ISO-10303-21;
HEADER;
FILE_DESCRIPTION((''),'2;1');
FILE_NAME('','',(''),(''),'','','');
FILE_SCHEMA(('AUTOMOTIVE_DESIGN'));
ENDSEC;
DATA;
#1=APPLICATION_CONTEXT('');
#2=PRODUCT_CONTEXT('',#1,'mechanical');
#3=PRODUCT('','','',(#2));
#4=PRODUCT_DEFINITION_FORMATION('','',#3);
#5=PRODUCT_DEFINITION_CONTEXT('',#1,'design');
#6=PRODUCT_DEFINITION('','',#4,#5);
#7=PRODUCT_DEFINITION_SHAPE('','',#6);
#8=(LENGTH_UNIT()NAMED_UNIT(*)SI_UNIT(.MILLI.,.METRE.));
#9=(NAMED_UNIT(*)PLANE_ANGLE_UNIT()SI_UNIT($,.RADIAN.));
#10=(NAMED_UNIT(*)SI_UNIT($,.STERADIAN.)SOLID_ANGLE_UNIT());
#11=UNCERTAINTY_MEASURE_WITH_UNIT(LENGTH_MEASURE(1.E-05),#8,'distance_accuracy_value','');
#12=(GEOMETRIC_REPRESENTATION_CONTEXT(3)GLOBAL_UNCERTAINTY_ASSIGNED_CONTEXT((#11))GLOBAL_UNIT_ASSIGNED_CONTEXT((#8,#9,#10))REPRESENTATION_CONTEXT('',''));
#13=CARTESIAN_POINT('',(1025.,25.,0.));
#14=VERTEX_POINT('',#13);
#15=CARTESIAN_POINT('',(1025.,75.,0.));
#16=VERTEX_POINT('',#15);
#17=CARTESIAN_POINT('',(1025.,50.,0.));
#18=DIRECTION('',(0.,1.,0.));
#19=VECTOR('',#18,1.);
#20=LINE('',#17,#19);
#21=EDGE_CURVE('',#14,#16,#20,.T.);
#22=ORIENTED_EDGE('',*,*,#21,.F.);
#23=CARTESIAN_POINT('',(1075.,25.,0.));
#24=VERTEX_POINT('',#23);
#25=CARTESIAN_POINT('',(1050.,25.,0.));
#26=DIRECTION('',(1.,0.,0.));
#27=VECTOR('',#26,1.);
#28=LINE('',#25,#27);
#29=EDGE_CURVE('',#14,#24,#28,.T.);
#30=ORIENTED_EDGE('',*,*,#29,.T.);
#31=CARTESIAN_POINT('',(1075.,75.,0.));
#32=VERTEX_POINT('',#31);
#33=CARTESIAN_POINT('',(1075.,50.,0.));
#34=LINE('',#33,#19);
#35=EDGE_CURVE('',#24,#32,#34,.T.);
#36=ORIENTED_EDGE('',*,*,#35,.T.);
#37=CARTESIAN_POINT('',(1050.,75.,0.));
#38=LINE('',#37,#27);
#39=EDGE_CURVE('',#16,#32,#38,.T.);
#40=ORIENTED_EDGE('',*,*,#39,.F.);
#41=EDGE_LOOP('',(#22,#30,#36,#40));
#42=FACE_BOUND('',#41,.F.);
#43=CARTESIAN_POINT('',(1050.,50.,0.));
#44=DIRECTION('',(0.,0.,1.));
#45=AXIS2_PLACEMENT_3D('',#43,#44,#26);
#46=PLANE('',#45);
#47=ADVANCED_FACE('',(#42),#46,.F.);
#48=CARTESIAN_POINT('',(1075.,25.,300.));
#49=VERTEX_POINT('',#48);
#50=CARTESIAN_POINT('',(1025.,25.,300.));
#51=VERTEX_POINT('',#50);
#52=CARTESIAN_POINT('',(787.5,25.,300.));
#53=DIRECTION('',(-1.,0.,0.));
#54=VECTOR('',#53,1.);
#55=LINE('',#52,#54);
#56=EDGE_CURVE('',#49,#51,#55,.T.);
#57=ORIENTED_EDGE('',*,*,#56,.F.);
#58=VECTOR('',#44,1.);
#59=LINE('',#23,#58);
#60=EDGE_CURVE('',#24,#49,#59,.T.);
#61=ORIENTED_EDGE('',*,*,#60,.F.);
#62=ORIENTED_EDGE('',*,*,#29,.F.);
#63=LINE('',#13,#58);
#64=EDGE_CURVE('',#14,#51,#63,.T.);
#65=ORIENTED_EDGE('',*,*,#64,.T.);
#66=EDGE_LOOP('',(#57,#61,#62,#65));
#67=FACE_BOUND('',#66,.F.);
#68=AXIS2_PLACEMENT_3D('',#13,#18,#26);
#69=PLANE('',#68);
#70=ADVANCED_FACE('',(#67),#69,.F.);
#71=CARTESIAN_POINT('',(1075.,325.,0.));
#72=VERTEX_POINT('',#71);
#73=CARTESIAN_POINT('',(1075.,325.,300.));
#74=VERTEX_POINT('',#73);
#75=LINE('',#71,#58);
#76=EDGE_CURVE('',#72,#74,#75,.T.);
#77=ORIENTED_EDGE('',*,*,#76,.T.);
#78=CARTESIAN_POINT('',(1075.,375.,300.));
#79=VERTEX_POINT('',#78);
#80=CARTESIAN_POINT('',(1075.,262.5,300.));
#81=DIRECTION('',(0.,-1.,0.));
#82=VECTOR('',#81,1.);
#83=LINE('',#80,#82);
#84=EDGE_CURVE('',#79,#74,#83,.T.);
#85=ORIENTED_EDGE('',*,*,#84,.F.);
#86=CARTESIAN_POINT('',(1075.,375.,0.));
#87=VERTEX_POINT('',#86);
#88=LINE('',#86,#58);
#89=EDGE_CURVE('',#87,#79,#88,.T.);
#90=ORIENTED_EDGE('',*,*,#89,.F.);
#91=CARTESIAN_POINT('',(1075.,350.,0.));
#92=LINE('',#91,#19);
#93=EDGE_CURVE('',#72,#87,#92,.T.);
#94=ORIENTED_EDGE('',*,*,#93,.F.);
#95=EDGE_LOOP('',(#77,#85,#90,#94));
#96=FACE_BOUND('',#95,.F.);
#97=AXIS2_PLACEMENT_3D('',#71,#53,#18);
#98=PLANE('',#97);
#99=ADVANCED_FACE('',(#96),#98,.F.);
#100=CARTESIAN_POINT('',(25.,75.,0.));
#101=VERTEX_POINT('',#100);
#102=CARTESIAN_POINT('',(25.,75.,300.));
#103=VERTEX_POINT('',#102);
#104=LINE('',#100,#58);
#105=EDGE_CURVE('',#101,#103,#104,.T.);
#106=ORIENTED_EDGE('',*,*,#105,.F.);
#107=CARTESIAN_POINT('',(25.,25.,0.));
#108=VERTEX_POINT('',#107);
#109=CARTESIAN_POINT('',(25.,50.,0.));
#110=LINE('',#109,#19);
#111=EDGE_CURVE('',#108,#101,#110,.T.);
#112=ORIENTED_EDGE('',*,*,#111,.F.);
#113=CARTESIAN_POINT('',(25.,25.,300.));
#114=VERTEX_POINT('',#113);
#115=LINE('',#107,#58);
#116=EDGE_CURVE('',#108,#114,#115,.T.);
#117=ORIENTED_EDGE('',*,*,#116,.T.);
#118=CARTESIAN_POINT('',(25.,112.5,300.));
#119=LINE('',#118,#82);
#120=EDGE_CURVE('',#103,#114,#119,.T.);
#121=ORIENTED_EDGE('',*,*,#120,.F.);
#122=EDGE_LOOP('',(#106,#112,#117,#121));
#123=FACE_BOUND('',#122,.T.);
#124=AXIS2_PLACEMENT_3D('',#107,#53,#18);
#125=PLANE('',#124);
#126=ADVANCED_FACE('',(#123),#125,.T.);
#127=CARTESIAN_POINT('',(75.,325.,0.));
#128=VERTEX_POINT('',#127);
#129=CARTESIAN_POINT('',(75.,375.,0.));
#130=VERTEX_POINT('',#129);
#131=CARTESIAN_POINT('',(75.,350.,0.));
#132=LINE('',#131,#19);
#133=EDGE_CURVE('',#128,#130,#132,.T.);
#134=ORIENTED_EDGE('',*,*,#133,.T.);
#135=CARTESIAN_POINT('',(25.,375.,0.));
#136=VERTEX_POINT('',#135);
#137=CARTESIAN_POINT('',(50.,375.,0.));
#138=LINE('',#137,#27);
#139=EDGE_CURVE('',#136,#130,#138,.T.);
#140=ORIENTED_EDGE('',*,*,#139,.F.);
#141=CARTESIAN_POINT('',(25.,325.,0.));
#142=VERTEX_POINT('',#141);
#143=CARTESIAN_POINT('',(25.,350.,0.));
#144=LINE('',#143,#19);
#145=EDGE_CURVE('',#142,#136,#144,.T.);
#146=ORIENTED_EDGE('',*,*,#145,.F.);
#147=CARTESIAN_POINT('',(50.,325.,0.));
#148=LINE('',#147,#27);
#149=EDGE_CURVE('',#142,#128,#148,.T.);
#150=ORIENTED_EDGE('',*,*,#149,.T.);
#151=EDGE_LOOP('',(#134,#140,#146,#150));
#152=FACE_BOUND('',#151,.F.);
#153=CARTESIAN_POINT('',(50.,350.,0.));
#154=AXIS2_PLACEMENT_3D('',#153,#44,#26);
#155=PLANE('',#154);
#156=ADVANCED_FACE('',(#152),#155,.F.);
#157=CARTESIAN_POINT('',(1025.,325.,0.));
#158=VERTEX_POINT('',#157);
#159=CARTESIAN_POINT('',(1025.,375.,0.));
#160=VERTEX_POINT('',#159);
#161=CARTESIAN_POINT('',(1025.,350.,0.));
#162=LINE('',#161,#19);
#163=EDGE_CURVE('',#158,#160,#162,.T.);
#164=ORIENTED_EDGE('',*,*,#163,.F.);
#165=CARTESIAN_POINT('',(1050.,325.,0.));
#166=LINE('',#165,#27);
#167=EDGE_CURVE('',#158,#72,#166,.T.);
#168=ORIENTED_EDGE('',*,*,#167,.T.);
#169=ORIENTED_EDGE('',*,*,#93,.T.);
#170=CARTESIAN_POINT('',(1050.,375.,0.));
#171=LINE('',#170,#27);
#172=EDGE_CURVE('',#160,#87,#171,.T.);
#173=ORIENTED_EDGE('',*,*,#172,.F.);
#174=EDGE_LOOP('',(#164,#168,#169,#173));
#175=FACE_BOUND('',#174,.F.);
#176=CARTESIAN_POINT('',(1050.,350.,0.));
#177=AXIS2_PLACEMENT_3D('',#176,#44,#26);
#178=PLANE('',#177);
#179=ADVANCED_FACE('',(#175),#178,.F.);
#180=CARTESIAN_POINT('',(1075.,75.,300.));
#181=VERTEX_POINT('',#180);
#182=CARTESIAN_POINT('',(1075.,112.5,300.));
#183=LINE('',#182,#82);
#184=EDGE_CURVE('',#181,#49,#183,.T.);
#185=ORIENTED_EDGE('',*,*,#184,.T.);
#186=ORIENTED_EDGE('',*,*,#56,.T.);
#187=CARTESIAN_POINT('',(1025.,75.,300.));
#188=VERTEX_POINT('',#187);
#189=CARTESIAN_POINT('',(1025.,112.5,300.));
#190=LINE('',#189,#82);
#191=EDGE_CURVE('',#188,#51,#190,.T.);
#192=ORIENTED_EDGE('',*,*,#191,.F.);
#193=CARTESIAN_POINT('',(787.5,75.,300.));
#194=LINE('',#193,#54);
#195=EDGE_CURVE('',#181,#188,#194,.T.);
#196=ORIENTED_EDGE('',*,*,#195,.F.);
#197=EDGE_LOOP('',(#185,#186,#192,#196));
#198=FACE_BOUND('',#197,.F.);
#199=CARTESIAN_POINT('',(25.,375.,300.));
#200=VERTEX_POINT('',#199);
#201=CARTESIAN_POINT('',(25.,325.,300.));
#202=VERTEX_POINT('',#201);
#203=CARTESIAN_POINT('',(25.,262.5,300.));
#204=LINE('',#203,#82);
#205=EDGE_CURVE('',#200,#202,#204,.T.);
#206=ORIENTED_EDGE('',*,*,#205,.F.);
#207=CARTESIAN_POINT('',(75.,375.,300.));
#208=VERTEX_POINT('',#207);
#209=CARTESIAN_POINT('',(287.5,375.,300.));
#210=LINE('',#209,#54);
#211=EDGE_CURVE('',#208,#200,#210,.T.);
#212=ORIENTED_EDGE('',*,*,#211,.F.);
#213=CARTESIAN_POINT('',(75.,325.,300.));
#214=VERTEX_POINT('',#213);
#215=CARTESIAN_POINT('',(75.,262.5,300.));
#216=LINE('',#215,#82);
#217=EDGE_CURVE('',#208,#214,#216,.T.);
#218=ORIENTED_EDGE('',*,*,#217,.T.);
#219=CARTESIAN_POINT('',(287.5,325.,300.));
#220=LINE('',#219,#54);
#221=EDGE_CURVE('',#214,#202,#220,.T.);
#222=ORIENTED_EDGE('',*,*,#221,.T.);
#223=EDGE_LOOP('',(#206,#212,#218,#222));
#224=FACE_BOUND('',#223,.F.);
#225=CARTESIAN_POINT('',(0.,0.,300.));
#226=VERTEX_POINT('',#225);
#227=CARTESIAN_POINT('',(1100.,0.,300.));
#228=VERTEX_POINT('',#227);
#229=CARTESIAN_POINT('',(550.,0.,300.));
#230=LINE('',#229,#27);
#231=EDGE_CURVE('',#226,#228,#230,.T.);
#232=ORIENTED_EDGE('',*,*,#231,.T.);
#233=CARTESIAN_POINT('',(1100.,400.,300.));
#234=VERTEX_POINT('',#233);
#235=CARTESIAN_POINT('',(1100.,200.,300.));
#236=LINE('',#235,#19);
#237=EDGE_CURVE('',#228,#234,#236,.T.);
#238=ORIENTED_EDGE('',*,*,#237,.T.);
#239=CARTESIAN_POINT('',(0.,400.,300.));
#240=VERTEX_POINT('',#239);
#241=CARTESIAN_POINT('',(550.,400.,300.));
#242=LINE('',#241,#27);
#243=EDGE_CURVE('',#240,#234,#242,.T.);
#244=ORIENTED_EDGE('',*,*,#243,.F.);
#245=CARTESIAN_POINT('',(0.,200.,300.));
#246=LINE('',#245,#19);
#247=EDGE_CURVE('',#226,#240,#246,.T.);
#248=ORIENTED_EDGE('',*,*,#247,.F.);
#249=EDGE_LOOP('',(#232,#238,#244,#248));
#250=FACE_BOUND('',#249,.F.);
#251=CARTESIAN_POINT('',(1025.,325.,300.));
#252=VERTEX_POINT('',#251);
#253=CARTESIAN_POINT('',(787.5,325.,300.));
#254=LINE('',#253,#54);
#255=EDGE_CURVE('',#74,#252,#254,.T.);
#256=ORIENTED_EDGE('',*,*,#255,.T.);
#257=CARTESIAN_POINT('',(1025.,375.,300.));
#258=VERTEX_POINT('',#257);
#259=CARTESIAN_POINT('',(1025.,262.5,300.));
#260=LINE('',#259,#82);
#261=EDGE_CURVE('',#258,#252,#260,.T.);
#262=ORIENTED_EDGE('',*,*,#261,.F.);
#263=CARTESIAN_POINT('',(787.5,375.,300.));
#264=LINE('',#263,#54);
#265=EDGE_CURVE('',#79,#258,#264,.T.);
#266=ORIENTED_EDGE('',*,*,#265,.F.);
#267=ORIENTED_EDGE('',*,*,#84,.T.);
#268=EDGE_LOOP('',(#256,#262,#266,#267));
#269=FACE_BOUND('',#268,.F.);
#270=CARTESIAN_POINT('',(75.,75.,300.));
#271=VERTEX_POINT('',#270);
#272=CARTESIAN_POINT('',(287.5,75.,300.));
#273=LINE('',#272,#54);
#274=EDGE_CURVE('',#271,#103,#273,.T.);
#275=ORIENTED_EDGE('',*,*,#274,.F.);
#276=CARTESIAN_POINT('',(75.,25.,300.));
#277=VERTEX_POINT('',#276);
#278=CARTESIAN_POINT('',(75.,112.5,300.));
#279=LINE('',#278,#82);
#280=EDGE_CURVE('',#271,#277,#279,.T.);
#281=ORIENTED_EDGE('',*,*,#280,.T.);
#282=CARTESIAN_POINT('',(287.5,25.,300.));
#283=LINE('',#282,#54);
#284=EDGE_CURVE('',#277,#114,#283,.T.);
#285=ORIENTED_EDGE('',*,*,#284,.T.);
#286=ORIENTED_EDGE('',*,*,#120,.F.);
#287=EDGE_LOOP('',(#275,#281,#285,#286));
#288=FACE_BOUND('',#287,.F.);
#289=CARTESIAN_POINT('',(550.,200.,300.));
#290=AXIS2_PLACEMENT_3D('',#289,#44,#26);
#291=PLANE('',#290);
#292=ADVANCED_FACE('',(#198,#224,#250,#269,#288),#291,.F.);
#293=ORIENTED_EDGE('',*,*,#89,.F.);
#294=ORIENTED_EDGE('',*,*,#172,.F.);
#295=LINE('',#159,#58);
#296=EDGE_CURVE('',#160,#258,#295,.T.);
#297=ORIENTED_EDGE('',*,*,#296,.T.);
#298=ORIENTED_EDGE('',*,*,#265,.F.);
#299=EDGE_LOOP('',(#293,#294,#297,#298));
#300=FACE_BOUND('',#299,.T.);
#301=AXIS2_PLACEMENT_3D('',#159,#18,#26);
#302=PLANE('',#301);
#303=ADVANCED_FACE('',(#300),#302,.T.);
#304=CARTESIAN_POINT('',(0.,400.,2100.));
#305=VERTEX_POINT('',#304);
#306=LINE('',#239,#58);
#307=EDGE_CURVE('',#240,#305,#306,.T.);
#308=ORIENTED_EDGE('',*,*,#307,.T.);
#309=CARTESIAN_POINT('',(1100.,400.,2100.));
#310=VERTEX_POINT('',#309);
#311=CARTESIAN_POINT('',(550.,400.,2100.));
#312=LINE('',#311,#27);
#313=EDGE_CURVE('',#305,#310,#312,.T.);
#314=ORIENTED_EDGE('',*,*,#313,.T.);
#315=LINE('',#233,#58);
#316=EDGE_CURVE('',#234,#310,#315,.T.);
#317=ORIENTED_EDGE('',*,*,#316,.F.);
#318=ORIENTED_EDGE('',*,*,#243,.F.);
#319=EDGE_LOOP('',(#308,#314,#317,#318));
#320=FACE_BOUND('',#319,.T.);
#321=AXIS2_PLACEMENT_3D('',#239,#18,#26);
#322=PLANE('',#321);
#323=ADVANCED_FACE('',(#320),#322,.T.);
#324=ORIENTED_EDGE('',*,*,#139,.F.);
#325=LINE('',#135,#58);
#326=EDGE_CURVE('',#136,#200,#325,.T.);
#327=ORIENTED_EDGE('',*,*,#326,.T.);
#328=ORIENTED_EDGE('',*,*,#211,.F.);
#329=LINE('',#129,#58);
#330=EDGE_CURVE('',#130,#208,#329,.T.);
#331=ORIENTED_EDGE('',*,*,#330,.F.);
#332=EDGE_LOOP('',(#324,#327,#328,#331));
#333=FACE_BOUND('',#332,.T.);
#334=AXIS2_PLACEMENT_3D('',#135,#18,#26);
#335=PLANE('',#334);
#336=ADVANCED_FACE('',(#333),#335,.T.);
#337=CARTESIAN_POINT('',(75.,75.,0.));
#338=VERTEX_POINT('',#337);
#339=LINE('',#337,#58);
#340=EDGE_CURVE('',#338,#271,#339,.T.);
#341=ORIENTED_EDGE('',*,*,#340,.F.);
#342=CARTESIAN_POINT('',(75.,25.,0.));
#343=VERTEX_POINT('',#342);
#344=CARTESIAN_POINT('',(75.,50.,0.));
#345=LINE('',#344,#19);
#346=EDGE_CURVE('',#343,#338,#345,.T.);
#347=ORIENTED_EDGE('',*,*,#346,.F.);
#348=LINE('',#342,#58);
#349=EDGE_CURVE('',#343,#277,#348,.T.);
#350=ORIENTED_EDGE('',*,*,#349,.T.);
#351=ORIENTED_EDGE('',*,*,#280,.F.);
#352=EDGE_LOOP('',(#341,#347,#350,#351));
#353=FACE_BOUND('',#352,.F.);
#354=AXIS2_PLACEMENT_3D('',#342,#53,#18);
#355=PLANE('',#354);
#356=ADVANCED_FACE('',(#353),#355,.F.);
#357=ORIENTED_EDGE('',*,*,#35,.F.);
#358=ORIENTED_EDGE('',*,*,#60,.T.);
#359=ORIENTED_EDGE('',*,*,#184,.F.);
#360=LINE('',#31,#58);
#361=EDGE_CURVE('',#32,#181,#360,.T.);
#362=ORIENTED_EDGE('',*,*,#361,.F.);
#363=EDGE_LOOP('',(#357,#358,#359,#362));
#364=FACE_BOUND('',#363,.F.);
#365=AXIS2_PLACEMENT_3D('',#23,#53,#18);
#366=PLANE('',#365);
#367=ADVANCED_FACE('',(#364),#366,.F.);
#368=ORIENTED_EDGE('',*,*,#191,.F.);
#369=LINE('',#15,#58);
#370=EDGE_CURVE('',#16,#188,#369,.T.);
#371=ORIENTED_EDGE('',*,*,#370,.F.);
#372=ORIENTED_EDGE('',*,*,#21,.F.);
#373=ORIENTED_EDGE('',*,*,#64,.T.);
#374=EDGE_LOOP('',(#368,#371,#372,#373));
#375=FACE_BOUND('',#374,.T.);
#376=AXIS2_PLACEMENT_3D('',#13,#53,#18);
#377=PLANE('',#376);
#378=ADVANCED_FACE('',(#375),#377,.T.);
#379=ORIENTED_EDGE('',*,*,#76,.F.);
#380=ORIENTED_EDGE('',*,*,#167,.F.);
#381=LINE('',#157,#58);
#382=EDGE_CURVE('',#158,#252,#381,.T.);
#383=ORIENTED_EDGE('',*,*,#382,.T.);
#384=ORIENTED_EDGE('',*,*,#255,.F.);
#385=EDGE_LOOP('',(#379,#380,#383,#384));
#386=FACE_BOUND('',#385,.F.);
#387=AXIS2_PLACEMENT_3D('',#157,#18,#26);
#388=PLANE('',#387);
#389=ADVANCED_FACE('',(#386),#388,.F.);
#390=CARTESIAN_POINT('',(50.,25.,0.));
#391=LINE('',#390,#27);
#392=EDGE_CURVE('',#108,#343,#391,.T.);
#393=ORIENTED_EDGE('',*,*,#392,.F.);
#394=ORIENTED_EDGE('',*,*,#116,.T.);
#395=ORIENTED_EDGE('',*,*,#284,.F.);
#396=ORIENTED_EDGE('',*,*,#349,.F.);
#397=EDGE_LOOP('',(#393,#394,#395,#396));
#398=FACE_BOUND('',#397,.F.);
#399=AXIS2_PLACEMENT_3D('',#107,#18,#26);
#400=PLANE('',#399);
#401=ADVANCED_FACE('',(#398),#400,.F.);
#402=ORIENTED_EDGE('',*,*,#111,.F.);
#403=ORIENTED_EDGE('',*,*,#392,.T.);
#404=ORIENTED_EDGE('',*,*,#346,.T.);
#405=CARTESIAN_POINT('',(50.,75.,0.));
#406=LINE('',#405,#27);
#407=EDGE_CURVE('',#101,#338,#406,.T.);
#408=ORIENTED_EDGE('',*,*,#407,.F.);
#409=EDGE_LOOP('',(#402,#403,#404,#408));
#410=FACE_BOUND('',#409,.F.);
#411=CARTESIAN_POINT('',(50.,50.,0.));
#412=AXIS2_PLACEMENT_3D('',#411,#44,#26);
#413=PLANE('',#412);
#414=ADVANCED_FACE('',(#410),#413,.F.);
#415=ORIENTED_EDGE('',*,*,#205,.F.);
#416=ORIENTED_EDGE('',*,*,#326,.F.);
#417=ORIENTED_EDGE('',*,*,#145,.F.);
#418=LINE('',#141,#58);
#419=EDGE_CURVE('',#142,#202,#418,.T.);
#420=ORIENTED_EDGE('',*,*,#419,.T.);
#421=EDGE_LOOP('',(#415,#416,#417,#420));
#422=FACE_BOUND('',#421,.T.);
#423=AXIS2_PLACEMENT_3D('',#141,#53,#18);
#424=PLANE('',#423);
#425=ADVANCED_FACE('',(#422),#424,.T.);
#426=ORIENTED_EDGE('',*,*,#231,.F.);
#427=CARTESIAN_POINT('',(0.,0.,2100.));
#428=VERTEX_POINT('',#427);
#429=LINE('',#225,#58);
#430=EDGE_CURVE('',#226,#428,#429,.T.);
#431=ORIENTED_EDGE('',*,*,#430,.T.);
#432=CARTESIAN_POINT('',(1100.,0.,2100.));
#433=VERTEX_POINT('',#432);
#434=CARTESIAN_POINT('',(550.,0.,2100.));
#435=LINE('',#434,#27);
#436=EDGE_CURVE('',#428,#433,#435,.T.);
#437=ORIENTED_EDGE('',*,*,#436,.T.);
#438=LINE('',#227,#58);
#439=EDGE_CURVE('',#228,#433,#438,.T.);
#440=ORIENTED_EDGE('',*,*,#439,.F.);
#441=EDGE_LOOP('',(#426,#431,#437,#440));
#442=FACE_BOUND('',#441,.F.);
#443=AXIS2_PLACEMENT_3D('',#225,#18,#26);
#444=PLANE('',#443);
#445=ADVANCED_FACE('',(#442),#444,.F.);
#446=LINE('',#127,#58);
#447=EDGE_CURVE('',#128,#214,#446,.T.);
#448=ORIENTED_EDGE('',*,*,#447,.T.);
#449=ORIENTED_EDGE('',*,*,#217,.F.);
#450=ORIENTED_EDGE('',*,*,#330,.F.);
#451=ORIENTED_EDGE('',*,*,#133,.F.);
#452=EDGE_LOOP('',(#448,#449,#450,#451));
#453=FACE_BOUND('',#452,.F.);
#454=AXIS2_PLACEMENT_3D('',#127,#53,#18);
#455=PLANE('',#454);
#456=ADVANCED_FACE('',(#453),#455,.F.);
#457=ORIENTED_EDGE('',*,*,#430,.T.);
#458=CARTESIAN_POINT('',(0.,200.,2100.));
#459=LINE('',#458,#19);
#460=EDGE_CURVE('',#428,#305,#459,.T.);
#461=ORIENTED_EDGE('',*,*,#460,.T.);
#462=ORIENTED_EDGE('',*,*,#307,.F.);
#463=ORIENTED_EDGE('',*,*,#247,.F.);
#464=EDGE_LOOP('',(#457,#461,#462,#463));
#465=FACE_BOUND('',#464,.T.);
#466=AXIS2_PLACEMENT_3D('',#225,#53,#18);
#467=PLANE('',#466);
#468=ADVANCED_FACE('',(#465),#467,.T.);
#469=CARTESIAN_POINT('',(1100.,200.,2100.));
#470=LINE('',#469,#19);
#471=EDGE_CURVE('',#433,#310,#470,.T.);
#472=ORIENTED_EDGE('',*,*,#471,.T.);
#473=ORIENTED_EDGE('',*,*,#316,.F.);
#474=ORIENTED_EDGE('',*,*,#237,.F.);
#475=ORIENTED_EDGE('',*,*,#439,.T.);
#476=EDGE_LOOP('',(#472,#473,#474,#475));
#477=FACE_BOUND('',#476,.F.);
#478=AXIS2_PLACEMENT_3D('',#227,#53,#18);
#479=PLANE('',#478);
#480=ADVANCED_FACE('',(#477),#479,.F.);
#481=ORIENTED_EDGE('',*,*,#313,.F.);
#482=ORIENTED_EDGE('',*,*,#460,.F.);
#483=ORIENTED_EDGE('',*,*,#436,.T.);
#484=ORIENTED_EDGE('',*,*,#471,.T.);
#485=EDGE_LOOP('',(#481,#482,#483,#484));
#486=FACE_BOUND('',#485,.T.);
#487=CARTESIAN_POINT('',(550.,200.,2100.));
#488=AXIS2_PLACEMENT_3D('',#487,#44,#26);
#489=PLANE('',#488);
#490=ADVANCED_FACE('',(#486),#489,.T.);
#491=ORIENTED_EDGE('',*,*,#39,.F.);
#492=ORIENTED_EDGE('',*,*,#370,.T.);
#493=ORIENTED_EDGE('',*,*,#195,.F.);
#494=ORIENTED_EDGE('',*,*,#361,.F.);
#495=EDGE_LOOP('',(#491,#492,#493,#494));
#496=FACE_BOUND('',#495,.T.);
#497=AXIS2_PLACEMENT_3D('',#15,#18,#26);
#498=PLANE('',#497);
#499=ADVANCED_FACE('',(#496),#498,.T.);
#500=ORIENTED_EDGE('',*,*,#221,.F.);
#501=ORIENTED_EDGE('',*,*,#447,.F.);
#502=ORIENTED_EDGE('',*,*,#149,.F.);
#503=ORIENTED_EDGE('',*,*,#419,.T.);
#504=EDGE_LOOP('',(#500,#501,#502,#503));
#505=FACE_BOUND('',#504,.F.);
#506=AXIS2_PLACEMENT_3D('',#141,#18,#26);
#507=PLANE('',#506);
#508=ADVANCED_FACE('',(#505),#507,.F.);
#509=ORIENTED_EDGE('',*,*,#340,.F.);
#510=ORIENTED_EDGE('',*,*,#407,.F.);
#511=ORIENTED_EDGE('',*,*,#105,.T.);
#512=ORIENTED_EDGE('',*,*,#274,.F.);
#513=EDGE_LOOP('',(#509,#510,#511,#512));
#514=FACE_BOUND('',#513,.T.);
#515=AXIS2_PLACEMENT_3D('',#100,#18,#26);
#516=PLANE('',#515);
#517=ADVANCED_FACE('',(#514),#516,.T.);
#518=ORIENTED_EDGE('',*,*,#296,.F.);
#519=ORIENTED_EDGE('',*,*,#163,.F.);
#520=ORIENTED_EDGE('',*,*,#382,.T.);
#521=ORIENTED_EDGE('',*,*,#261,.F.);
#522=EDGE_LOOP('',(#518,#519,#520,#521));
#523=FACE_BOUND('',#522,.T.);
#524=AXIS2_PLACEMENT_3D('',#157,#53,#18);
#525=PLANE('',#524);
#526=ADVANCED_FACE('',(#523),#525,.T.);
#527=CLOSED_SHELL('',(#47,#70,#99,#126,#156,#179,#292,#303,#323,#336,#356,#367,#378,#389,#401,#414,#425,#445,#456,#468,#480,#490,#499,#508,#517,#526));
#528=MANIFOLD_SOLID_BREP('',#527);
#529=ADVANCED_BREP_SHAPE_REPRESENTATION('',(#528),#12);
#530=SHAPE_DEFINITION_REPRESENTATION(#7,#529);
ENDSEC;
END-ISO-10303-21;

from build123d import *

# Parameters (mm, degrees)
F1_W     = 1100
F1_H     = 400
F2_DEPTH = 1800
F3_W     = 50
F3_H     = 50
F4_DEPTH = 1800


with BuildPart() as f2:
    # F1 (on offset) → F2 (new body)
    with BuildSketch(Plane.XY.offset(300)):
        with Locations((550, 200)):
            Rectangle(F1_W, F1_H)
    extrude(amount=F2_DEPTH)

    # F3 (on Top) → F4 (join)
    with BuildSketch(Plane.XY):
        with Locations((50, 50)):
            Rectangle(F3_W, F3_H)
        with Locations((1050, 50)):
            Rectangle(F3_W, F3_H)
        with Locations((1050, 350)):
            Rectangle(F3_W, F3_H)
        with Locations((50, 350)):
            Rectangle(F3_W, F3_H)
    extrude(amount=F4_DEPTH)


solid = f2.part
